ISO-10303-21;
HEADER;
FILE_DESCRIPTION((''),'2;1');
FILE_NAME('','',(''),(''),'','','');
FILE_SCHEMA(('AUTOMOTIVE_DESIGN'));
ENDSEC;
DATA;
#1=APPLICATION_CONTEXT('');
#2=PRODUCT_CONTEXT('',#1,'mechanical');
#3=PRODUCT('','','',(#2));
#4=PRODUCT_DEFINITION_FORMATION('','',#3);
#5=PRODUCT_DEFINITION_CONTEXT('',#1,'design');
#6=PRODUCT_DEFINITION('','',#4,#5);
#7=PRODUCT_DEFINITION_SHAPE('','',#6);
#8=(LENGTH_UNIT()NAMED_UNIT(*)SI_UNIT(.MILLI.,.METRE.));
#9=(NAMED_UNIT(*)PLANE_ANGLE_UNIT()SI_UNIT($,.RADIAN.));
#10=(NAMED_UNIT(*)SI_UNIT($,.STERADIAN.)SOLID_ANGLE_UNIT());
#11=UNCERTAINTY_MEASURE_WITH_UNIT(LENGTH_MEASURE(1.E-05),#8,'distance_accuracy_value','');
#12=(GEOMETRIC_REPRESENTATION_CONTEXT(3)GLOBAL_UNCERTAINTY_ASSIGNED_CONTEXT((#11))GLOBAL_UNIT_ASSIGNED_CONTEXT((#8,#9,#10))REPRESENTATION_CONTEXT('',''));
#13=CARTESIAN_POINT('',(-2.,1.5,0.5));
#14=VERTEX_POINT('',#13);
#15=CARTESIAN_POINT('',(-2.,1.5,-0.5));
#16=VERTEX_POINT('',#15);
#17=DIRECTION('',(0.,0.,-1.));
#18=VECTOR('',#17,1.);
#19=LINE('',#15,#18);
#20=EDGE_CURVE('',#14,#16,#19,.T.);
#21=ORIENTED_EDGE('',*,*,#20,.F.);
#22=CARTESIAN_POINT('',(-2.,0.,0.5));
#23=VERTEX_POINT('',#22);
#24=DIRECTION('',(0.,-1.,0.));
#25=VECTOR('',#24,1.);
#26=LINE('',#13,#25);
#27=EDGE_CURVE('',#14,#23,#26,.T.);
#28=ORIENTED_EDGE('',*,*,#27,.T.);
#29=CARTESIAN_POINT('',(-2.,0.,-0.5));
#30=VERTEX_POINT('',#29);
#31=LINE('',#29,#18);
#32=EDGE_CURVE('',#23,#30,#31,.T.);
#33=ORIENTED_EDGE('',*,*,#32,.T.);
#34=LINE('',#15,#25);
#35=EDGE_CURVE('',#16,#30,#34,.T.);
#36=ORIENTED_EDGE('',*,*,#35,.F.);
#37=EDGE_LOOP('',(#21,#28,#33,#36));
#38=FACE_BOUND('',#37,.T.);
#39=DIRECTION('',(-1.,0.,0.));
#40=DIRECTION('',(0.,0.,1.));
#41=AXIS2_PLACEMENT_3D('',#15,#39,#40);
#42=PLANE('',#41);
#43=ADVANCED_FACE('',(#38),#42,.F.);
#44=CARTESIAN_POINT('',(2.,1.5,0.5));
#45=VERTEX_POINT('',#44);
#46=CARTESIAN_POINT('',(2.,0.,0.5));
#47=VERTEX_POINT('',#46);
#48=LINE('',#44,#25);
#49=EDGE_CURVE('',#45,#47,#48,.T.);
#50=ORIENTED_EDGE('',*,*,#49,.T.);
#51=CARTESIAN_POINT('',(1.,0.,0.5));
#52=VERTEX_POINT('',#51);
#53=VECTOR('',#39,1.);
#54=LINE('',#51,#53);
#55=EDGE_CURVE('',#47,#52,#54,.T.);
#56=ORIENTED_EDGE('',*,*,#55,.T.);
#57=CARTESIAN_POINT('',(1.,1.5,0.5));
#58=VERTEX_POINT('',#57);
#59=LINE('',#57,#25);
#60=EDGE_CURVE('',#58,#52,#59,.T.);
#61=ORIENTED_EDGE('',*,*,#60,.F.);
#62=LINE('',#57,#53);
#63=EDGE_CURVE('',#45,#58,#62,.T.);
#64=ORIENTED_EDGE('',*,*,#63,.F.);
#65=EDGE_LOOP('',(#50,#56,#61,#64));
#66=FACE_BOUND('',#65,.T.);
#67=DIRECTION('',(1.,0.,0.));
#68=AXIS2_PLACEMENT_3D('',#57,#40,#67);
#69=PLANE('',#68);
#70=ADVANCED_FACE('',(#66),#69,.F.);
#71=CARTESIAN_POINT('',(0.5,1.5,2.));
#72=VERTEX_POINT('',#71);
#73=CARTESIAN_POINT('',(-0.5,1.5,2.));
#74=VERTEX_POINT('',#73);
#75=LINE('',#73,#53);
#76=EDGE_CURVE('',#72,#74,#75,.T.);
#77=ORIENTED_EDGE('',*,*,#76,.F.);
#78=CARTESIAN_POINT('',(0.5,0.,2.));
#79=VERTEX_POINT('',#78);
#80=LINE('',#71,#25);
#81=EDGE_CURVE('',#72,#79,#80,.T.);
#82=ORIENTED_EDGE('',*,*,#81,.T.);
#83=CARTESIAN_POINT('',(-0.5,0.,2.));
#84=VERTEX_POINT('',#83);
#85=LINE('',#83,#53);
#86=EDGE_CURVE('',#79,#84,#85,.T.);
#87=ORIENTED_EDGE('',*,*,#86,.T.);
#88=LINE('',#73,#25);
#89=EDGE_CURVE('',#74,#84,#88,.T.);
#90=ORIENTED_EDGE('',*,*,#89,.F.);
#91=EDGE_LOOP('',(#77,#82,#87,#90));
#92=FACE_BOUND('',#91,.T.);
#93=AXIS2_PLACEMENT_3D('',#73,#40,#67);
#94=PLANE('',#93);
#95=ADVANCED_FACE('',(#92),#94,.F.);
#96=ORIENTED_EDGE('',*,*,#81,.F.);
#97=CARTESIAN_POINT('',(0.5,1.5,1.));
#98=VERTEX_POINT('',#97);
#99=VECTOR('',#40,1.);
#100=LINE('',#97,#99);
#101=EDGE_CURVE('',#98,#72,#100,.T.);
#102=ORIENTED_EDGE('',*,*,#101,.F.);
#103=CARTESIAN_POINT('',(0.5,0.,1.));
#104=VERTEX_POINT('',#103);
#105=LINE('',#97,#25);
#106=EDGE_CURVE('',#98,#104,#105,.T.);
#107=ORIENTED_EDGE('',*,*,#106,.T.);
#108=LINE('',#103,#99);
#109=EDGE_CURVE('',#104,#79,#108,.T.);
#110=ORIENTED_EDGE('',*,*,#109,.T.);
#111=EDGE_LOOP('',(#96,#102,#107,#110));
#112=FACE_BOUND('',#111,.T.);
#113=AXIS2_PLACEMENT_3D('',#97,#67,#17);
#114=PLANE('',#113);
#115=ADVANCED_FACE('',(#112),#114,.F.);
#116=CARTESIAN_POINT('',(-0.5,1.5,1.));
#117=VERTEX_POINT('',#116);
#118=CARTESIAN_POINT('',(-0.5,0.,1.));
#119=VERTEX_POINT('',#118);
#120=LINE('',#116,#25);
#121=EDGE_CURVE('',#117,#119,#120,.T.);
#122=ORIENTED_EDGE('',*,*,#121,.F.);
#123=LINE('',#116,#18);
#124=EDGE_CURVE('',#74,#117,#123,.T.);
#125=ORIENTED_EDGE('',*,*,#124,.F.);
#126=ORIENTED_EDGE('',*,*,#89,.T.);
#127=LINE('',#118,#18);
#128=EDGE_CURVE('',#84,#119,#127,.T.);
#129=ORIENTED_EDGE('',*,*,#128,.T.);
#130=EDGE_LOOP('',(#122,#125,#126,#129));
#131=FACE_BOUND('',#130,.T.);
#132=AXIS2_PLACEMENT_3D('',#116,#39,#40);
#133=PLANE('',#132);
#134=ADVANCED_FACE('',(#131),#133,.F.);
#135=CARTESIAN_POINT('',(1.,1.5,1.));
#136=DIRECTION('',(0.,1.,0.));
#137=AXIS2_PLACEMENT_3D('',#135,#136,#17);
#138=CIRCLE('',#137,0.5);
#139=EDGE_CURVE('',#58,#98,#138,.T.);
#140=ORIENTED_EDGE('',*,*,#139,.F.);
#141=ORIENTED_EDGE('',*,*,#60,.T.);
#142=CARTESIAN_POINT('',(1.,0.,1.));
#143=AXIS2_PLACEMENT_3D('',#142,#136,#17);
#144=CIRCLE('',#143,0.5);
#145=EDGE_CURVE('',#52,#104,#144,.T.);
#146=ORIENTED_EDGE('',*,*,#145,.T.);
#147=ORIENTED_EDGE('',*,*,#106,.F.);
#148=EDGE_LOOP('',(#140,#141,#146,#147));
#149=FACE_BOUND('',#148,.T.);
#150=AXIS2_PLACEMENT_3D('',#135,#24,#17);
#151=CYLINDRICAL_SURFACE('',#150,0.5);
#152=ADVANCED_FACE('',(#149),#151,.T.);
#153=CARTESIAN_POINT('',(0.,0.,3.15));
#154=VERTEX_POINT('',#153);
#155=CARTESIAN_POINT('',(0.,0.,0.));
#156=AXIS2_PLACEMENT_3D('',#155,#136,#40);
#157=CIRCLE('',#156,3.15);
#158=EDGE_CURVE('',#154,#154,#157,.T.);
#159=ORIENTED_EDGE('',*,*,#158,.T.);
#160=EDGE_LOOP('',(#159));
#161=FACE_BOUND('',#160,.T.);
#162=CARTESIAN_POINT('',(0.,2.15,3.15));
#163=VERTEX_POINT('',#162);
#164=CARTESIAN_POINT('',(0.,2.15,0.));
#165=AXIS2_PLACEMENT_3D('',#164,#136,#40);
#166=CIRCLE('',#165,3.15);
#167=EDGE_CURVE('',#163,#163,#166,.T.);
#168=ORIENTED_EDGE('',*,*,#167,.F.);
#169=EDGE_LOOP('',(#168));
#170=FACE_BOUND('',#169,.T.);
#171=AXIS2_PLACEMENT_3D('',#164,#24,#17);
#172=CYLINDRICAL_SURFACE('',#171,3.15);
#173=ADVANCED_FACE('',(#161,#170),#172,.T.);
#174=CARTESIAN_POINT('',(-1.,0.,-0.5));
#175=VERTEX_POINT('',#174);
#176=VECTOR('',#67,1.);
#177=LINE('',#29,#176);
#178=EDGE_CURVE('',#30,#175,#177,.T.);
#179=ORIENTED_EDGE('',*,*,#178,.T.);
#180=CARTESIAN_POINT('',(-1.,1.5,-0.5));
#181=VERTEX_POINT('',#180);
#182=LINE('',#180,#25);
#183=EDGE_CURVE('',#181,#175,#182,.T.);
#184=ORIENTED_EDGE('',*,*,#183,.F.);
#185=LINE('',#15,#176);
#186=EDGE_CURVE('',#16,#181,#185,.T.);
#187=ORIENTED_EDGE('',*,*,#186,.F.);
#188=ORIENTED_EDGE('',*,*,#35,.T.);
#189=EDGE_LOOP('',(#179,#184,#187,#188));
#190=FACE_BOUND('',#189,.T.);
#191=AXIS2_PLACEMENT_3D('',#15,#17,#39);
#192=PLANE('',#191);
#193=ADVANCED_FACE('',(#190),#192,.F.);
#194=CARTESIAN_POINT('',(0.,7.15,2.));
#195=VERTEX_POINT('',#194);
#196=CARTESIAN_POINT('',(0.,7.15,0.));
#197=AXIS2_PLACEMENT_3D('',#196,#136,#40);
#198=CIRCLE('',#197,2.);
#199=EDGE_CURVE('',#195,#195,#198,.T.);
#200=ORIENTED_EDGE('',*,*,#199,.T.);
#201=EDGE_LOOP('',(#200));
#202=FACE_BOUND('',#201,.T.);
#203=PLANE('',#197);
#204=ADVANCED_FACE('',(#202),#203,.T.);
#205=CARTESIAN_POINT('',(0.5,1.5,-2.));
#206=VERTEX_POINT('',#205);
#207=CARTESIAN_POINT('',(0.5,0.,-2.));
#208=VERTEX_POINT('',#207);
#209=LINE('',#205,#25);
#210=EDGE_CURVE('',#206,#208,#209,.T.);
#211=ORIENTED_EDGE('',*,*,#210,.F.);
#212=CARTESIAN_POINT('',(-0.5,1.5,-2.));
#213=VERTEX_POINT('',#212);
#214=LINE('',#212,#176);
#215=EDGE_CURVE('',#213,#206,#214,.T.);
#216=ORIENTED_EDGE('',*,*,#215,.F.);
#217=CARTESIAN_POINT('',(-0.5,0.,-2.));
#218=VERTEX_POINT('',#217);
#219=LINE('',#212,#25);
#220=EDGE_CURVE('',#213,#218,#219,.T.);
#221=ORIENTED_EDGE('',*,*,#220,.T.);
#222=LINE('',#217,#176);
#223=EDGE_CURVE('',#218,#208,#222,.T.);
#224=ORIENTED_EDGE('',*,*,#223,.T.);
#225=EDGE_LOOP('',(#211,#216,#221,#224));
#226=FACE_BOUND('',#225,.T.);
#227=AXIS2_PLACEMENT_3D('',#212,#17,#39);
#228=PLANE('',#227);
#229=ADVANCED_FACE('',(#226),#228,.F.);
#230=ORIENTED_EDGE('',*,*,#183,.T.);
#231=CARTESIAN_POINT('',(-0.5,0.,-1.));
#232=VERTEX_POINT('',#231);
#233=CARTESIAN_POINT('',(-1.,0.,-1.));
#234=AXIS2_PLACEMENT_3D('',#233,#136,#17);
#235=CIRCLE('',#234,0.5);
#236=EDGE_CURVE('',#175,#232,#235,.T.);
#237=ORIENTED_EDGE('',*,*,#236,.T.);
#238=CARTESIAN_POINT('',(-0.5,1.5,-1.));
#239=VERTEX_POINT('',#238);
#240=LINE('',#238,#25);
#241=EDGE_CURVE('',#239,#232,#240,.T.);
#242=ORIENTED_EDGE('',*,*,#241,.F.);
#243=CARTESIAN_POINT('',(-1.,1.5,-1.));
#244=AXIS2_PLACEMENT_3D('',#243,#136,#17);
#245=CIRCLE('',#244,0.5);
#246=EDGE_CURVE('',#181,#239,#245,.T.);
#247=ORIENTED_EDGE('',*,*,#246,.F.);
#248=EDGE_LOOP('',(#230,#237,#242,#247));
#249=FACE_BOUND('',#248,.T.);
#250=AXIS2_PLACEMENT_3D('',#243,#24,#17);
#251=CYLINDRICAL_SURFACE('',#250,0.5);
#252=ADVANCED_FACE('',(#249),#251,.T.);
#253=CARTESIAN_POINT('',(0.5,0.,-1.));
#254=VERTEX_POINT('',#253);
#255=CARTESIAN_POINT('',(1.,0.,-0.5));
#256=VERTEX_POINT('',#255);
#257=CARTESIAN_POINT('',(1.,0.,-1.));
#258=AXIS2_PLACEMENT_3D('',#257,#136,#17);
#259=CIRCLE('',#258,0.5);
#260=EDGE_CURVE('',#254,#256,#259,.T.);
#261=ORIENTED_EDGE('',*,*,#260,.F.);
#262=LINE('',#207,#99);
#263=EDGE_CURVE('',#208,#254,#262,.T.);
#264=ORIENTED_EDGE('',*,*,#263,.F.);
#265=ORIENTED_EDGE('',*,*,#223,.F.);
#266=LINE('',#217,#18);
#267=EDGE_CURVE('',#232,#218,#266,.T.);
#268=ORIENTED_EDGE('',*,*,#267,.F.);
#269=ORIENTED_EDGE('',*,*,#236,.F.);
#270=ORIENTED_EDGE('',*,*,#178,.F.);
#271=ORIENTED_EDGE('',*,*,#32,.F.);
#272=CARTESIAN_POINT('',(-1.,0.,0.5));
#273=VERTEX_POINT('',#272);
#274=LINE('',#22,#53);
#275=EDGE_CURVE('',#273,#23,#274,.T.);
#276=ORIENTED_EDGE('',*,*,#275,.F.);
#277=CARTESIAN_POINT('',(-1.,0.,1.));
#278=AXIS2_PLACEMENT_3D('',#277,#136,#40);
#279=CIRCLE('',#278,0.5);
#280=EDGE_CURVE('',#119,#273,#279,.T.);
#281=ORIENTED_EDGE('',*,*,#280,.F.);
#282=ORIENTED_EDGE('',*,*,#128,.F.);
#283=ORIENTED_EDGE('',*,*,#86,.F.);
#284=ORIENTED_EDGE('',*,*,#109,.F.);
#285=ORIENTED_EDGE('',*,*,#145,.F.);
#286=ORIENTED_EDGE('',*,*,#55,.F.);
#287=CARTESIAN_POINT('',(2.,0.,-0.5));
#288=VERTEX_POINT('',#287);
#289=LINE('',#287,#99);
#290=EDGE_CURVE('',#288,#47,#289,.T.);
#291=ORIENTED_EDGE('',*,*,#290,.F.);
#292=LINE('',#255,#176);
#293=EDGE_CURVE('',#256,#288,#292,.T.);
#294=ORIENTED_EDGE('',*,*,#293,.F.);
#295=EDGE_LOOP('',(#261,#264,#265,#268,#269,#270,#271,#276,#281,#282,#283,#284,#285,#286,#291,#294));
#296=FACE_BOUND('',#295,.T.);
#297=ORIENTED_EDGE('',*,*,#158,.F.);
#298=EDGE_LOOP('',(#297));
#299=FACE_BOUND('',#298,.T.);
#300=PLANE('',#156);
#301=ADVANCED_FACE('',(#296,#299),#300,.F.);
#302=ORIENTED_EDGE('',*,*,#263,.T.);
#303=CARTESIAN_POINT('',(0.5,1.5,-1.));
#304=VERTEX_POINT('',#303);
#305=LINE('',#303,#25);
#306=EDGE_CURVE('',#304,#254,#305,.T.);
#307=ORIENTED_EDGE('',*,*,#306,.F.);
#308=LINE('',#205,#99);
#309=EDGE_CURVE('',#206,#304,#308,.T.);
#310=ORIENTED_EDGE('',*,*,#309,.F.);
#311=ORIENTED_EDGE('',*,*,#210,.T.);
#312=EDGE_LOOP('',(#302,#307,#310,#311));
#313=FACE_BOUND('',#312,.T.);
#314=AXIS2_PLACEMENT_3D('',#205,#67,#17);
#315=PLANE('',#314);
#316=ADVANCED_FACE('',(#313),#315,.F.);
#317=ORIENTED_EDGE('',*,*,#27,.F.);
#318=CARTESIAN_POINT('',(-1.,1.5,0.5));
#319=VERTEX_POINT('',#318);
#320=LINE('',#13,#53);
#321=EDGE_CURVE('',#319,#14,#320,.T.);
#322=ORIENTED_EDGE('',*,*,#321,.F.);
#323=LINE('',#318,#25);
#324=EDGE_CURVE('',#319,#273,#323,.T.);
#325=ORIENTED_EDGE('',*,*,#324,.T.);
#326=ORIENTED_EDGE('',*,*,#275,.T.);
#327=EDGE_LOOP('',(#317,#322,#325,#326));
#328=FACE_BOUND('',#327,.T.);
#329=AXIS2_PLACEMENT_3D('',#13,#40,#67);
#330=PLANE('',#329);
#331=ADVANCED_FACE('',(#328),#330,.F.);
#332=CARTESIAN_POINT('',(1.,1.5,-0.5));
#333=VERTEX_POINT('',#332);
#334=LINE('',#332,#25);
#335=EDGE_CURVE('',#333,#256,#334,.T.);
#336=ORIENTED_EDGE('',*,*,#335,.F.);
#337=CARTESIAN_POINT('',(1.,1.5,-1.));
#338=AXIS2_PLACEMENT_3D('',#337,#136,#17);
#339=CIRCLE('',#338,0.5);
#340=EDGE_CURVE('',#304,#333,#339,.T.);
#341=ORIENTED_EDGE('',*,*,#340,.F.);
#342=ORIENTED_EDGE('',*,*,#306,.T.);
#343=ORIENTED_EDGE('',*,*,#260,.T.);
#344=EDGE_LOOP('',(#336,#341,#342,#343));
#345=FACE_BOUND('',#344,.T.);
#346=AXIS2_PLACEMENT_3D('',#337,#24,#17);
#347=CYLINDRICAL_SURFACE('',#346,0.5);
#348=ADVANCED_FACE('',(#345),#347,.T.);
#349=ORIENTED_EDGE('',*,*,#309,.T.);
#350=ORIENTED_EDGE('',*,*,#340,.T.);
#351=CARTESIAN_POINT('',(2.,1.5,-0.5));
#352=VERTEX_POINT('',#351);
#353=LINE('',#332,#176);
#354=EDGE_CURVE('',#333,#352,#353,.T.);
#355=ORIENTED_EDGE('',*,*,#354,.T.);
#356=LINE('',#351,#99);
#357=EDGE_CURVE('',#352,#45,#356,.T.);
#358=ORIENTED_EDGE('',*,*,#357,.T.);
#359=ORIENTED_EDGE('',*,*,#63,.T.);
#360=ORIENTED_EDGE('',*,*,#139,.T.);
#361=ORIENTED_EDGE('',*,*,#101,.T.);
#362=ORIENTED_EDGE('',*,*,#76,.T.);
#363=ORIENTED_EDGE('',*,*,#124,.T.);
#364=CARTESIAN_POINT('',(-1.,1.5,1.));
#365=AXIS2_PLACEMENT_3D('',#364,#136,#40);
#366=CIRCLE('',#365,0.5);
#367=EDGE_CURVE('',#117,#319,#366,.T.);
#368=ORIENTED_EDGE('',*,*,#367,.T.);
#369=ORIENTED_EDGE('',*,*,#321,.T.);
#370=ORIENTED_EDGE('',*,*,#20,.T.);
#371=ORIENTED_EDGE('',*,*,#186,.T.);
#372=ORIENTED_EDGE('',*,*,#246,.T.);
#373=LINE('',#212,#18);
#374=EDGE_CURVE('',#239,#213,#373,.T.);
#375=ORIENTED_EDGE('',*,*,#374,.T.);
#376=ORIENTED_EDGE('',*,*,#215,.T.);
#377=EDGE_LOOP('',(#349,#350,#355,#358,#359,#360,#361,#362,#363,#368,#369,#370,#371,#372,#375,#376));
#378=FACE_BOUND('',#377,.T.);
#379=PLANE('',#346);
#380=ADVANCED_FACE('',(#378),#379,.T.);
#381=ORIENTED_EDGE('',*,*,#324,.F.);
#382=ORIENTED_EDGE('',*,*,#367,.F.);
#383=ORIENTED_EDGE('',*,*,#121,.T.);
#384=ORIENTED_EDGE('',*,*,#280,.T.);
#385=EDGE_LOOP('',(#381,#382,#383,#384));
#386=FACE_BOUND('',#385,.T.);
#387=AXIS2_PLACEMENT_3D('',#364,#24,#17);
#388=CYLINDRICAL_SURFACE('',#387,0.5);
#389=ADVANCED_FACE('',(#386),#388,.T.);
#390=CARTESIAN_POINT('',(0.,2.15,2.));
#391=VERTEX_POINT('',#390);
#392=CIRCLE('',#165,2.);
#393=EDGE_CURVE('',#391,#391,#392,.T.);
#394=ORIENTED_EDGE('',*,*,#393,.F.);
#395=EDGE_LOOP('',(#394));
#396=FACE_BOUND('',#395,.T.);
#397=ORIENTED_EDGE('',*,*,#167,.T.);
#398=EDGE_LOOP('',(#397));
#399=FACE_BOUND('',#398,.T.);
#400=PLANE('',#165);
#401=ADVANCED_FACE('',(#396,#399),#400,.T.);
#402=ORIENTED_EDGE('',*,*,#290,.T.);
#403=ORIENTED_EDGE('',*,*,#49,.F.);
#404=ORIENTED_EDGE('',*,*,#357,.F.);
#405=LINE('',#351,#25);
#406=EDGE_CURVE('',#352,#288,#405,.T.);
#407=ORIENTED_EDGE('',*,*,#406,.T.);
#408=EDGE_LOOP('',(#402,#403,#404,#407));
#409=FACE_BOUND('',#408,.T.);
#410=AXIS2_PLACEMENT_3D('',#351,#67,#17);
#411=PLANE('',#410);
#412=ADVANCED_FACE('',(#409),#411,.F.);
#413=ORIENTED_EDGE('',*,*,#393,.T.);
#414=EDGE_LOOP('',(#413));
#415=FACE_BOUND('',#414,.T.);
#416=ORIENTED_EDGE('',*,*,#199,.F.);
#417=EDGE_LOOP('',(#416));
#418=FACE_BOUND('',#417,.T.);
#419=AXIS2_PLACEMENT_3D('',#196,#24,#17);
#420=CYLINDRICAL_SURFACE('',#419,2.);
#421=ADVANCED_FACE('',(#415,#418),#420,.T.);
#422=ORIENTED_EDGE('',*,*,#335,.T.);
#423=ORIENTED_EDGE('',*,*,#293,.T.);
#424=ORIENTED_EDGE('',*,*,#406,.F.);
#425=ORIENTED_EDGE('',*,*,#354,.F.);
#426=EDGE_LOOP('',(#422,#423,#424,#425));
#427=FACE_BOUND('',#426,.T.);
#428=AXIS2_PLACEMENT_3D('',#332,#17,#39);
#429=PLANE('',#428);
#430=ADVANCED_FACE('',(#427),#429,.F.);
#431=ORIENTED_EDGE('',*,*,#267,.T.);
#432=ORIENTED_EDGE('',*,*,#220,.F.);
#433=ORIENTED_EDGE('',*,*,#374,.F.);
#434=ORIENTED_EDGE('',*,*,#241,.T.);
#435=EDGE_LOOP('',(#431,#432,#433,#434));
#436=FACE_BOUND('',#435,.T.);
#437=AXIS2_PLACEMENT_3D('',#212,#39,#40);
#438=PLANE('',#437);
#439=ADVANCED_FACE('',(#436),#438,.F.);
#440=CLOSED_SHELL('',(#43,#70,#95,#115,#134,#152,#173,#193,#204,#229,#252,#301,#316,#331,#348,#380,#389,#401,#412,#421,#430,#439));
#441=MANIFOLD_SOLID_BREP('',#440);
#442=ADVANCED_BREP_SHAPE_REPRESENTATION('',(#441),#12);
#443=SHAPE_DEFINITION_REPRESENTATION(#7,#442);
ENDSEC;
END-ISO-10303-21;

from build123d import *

# Parameters (mm, degrees)
SKETCH_1_R          = 3.15
EXTRUDE_1_DEPTH     = 2.15
SKETCH_2_R          = 2
EXTRUDE_2_DEPTH     = 5
CUT_EXTRUDE_1_DEPTH = 1.5


with BuildPart() as part:
    # 草图1 → 凸台-拉伸1 (new body)
    with BuildSketch(Plane(origin=(0, 0, 0), x_dir=(1, 0, 0), z_dir=(0, 1, 0))):
        Circle(SKETCH_1_R)
    extrude(amount=EXTRUDE_1_DEPTH)

    # 草图2 → 凸台-拉伸2 (add)
    with BuildSketch(Plane(origin=(0, 2.15, 0), x_dir=(1, 0, 0), z_dir=(0, 1, 0))):
        Circle(SKETCH_2_R)
    extrude(amount=EXTRUDE_2_DEPTH)

    # 草图3 → 切除-拉伸1 (cut)
    with BuildSketch(Plane.XZ):
        with BuildLine():
            Line((-0.5, 1), (-0.5, 2))
            Line((-0.5, 2), (0.5, 2))
            Line((0.5, 2), (0.5, 1))
            ThreePointArc((0.5, 1), (0.646446609, 0.646446609), (1, 0.5))
            Line((1, 0.5), (2, 0.5))
            Line((2, 0.5), (2, -0.5))
            Line((2, -0.5), (1, -0.5))
            ThreePointArc((1, -0.5), (0.646446609, -0.646446609), (0.5, -1))
            Line((0.5, -1), (0.5, -2))
            Line((0.5, -2), (-0.5, -2))
            Line((-0.5, -2), (-0.5, -1))
            ThreePointArc((-0.5, -1), (-0.646446609, -0.646446609), (-1, -0.5))
            Line((-1, -0.5), (-2, -0.5))
            Line((-2, -0.5), (-2, 0.5))
            Line((-2, 0.5), (-1, 0.5))
            ThreePointArc((-1, 0.5), (-0.646446609, 0.646446609), (-0.5, 1))
        make_face()
    extrude(amount=-CUT_EXTRUDE_1_DEPTH, mode=Mode.SUBTRACT)


solid = part.part
